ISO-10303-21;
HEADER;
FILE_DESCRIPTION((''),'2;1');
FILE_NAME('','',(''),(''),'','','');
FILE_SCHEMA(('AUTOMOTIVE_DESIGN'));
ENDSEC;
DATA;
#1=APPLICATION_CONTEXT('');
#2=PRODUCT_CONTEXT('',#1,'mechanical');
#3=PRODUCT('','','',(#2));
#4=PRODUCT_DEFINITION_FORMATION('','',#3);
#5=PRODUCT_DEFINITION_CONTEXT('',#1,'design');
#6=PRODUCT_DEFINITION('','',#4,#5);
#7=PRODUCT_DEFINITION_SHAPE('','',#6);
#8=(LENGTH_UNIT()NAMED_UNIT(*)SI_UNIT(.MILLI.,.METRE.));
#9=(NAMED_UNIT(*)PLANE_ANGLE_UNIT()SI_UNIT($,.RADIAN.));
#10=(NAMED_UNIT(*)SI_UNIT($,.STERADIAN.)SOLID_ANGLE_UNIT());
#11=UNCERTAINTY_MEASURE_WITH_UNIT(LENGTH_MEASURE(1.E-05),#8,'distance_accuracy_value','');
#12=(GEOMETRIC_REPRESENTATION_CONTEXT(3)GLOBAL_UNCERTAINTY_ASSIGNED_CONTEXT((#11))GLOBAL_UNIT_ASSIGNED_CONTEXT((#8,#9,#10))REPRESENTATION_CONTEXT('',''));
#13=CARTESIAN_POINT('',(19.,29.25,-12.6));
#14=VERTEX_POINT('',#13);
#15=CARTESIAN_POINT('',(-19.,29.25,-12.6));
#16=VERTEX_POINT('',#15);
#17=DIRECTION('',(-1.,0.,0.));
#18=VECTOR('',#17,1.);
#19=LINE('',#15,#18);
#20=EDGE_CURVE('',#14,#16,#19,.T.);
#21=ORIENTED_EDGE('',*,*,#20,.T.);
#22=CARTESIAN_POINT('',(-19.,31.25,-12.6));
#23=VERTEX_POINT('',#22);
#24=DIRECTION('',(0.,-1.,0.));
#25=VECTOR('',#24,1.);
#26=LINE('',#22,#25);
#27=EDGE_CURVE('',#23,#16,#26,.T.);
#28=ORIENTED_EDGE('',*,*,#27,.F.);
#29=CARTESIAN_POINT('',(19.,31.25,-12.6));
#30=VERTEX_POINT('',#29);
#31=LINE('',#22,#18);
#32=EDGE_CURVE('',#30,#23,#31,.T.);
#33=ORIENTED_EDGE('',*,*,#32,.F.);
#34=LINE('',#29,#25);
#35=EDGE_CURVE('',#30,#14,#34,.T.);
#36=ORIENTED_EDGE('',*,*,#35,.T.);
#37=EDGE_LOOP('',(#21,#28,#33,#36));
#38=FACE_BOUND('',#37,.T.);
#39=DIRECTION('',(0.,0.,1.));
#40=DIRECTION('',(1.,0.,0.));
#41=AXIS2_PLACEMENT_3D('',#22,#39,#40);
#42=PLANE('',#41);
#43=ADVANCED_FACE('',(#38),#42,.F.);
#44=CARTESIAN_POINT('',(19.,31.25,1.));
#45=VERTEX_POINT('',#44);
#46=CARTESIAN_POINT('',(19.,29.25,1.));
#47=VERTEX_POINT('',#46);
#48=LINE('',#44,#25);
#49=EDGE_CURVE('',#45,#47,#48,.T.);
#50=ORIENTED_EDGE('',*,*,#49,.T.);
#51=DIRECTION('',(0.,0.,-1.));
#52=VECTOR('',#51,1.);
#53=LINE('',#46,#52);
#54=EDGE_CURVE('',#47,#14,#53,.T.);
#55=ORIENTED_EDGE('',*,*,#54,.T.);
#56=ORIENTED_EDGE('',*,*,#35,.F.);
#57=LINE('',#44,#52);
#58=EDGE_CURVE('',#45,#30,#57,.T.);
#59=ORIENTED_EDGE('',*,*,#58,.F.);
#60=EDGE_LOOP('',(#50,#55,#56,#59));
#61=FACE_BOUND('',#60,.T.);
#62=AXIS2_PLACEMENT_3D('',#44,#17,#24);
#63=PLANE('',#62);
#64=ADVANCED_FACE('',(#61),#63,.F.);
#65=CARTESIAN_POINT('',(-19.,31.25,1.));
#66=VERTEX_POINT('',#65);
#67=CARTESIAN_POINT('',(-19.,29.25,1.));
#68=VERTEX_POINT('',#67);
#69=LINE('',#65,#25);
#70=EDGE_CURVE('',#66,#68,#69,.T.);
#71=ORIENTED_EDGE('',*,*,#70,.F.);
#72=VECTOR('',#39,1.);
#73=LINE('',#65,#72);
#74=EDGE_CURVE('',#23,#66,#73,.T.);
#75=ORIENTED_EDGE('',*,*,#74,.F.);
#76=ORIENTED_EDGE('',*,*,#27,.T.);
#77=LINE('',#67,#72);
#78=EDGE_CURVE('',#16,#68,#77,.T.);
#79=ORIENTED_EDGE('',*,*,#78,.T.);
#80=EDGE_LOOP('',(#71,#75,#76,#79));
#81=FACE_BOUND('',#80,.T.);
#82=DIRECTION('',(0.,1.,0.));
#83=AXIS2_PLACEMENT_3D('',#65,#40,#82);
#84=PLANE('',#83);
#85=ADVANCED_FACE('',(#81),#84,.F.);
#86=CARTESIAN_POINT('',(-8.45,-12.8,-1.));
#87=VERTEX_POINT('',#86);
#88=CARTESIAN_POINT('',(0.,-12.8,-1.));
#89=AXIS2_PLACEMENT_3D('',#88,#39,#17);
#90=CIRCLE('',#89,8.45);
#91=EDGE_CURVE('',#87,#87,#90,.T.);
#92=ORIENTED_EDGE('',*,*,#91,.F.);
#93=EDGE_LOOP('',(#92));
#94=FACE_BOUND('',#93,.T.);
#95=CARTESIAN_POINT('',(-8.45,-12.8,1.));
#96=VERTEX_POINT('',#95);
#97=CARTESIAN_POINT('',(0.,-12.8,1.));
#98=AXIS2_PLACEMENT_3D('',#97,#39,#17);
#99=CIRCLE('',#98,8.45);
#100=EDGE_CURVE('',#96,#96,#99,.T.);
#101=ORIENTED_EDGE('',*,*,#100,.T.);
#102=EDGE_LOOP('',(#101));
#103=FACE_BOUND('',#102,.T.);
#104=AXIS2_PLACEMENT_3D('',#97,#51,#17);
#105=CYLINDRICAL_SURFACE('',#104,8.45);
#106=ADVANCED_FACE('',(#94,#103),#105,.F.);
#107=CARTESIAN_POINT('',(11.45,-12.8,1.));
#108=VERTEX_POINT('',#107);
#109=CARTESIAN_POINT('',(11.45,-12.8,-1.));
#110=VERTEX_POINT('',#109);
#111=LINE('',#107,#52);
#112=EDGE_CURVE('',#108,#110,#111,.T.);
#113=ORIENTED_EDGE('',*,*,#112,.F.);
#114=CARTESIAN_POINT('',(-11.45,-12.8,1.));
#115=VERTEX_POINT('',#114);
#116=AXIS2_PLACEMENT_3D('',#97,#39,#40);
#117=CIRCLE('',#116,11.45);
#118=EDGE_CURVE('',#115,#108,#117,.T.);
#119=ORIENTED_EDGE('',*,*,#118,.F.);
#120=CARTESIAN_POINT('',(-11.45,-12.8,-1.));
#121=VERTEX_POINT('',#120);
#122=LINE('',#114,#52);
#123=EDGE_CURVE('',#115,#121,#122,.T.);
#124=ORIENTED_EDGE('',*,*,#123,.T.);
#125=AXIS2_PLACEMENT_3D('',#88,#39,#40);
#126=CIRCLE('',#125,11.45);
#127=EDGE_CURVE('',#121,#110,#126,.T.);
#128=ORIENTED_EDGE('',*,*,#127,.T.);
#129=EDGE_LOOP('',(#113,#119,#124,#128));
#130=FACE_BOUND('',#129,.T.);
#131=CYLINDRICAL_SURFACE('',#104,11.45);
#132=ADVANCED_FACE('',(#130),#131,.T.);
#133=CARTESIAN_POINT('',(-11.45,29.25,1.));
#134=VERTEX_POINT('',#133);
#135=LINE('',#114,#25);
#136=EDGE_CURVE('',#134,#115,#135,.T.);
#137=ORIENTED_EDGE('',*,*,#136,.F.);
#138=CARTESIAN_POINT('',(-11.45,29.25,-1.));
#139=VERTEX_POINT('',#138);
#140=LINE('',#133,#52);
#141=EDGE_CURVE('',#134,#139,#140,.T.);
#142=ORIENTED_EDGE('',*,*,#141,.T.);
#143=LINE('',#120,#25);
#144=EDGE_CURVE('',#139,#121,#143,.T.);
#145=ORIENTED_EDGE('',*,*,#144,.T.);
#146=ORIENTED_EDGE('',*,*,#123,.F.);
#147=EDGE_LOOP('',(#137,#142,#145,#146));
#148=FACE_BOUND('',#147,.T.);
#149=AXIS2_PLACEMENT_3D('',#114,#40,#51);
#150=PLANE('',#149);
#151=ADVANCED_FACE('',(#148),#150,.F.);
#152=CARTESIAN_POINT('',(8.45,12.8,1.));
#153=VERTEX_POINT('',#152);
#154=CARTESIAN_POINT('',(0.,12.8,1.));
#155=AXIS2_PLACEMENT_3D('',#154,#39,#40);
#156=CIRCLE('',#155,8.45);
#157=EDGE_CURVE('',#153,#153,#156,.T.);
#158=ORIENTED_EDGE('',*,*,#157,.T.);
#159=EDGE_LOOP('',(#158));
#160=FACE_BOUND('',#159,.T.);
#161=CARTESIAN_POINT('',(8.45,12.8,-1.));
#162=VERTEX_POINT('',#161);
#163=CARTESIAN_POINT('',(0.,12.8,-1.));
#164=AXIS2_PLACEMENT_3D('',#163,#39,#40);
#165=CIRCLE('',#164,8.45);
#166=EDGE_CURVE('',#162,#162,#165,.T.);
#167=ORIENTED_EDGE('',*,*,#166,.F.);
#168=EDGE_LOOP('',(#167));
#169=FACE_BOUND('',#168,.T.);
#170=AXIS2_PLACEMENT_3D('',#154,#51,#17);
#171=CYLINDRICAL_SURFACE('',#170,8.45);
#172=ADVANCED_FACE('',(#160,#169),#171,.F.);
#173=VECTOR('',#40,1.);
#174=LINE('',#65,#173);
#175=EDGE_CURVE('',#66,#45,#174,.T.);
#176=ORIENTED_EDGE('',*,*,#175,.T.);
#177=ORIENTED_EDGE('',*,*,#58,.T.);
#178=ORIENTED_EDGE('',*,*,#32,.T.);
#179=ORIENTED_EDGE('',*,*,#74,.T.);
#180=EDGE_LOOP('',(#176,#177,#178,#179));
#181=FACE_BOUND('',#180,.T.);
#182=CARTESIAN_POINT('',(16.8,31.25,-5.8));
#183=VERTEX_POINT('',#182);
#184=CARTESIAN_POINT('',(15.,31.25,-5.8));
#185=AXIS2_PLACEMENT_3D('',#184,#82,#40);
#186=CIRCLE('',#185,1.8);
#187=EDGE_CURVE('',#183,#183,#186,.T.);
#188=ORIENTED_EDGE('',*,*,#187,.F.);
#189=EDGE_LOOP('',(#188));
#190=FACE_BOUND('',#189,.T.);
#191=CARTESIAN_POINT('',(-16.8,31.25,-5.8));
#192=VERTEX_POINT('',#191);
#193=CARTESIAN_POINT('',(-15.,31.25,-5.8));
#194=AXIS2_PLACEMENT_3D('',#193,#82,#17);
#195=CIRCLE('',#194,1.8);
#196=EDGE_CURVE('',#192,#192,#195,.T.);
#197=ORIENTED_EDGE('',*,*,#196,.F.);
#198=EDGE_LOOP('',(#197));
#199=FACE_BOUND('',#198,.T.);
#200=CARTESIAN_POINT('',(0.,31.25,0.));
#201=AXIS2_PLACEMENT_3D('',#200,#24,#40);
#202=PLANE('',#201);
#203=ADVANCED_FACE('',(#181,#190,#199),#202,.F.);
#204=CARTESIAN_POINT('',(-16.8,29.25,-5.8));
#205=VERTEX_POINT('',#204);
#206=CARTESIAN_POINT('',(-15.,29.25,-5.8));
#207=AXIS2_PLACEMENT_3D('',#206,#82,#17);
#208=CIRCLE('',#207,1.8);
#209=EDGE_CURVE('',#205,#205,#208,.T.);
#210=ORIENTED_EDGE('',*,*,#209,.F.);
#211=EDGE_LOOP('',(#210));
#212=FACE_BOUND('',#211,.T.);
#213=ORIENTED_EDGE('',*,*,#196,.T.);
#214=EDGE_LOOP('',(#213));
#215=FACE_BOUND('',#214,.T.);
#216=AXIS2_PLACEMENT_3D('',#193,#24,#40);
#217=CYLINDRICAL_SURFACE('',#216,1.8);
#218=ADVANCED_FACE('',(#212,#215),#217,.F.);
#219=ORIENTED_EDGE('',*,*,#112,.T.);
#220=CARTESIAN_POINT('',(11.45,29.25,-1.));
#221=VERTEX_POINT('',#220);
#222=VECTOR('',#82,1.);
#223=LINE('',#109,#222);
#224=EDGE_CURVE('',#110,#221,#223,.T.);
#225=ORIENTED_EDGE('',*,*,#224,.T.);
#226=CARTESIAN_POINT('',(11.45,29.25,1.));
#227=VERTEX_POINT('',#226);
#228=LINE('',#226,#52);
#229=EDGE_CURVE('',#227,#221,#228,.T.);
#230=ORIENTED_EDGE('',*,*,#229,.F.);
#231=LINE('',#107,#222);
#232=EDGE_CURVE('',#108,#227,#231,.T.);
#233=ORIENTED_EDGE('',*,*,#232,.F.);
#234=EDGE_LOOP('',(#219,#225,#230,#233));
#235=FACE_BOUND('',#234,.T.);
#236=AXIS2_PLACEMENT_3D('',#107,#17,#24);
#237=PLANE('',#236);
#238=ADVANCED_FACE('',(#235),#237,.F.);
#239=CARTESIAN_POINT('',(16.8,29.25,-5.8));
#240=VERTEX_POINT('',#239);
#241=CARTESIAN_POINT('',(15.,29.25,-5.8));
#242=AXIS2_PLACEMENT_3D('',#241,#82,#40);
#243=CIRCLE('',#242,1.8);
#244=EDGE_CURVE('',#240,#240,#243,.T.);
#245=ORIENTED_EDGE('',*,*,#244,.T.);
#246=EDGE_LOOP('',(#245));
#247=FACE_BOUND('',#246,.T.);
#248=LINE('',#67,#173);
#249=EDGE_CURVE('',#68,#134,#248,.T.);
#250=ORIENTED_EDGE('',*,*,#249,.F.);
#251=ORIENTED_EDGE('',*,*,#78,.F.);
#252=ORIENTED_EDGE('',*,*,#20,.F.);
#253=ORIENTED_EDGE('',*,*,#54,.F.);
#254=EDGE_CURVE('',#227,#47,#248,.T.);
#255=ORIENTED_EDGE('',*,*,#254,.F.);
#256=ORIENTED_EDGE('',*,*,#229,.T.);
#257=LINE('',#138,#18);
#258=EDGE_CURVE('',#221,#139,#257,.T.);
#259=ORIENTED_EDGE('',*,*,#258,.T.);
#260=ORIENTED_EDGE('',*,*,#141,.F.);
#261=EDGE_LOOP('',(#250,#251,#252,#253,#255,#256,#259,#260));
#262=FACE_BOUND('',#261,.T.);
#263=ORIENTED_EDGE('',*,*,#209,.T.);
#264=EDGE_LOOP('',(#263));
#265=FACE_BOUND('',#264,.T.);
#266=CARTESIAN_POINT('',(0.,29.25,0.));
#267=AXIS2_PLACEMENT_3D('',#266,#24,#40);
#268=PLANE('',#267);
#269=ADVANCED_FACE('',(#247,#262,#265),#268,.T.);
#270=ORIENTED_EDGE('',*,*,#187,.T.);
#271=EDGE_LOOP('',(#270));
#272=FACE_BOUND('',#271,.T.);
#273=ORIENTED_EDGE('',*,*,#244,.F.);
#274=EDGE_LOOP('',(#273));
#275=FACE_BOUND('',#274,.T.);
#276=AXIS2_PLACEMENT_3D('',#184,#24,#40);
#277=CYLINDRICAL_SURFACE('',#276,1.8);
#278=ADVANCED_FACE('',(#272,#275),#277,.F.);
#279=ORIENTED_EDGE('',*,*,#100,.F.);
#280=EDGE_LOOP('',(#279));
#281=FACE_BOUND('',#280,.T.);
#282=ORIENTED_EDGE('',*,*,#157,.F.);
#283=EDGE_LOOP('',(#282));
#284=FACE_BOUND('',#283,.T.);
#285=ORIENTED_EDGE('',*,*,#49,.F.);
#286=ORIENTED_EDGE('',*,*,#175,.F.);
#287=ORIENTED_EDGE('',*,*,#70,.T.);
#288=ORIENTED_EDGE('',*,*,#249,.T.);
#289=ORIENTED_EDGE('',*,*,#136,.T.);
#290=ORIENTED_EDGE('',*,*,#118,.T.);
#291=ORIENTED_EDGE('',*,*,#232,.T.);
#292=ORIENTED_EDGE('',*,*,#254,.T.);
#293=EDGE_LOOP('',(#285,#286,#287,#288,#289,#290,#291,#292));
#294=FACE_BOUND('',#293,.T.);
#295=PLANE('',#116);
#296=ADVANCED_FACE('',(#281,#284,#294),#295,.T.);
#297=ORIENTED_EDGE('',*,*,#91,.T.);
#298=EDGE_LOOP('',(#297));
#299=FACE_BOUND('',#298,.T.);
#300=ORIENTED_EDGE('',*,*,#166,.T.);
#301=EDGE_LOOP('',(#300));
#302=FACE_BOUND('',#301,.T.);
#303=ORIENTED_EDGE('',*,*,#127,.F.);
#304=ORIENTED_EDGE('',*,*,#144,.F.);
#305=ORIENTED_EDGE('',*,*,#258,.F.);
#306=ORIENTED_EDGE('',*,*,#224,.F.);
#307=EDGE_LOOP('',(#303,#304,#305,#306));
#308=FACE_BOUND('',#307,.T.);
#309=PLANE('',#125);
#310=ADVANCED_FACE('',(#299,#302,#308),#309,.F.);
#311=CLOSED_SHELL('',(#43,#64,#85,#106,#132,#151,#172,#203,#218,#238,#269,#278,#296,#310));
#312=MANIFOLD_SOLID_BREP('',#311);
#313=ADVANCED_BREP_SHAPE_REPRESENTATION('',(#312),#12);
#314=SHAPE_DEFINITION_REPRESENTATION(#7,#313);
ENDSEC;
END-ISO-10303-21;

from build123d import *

# Parameters (mm, degrees)
SKETCH1_R           = 8.45
BOSS_EXTRUDE1_DEPTH = 1
SKETCH4_W           = 38
SKETCH4_H           = 13.6
SKETCH4_R           = 1.8
BOSS_EXTRUDE2_DEPTH = 2


with BuildPart() as part:
    # Sketch1 → Boss-Extrude1 (new, symmetric)
    with BuildSketch(Plane.XY):
        with BuildLine():
            Line((-11.45, -12.8), (-11.45, 29.25))
            Line((-11.45, 29.25), (11.45, 29.25))
            Line((11.45, 29.25), (11.45, -12.8))
            ThreePointArc((11.45, -12.8), (0, -24.25), (-11.45, -12.8))
        make_face()
        with Locations((0, 12.8)):
            Circle(SKETCH1_R, mode=Mode.SUBTRACT)
        with Locations(Location((0, -12.8, 0), (0, 0, 180))):
            Circle(SKETCH1_R, mode=Mode.SUBTRACT)
    extrude(amount=BOSS_EXTRUDE1_DEPTH, both=True)

    # Sketch4 → Boss-Extrude2 (add)
    with BuildSketch(Plane(origin=(0, 29.25, 0), x_dir=(1, 0, 0), z_dir=(0, 1, 0))):
        with Locations((0, 5.8)):
            Rectangle(SKETCH4_W, SKETCH4_H)
        with Locations(Location((-15, 5.8, 0), (0, 0, 180))):
            Circle(SKETCH4_R, mode=Mode.SUBTRACT)
        with Locations((15, 5.8)):
            Circle(SKETCH4_R, mode=Mode.SUBTRACT)
    extrude(amount=BOSS_EXTRUDE2_DEPTH)


solid = part.part
